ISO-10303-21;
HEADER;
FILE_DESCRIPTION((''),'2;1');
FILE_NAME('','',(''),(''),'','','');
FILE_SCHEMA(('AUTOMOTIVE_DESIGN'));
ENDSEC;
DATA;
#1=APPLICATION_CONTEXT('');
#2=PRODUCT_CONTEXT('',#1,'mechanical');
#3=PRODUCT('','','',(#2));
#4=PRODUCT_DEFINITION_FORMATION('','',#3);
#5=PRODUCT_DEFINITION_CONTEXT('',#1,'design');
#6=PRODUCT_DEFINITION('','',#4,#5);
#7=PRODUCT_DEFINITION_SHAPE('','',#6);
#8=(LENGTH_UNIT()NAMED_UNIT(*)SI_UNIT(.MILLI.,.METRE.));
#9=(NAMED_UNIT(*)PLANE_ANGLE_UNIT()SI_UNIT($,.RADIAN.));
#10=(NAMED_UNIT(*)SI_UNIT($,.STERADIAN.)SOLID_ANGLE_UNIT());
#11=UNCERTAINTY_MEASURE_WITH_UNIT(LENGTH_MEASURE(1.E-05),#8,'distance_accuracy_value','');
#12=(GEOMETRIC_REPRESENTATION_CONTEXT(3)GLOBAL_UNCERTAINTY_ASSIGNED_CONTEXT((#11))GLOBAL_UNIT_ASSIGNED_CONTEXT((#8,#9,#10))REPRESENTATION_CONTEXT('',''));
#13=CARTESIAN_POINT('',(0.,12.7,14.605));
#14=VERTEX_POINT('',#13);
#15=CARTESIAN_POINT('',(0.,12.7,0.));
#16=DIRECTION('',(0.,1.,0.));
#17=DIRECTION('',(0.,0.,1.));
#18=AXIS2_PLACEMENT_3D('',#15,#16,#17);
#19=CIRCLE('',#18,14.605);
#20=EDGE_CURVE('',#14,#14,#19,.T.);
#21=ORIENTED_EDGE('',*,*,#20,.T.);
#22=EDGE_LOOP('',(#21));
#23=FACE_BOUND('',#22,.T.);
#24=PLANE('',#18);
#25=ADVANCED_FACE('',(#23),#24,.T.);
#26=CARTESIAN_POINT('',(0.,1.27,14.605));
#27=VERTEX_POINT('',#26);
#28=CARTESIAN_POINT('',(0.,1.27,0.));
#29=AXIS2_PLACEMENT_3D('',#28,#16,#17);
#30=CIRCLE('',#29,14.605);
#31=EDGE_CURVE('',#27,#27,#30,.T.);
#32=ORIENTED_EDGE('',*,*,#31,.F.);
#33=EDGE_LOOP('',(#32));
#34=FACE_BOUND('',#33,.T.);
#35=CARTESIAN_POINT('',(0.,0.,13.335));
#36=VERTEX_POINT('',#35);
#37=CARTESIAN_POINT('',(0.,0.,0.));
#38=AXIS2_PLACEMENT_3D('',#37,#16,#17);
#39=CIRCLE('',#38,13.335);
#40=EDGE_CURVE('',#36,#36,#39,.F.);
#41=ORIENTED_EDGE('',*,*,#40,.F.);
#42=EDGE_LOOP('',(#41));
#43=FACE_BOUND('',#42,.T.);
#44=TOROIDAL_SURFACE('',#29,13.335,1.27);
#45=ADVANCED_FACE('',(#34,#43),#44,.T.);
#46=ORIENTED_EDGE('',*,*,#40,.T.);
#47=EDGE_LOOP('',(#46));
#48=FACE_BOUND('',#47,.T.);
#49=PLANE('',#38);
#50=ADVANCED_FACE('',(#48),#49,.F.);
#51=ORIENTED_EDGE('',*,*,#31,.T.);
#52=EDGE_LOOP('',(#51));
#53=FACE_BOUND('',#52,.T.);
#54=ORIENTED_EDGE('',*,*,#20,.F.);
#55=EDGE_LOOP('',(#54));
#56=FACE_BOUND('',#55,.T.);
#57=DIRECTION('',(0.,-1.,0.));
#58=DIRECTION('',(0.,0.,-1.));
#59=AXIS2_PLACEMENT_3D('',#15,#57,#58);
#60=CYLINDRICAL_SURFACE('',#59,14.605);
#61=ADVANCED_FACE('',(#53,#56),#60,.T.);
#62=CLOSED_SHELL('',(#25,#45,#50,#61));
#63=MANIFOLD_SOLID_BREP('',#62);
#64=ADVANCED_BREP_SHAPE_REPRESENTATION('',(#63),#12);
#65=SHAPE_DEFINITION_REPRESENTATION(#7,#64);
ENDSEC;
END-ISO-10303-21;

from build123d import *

# Parameters (mm, degrees)
SKETCH1_R           = 14.605
BOSS_EXTRUDE1_DEPTH = 12.7
FILLET1_R           = 1.27


with BuildPart() as part:
    # Sketch1 → Boss-Extrude1 (new body)
    with BuildSketch(Plane(origin=(0, 0, 0), x_dir=(1, 0, 0), z_dir=(0, 1, 0))):
        with Locations(Location((0, 0, 0), (0, 0, 270))):
            Circle(SKETCH1_R)
    extrude(amount=BOSS_EXTRUDE1_DEPTH)

    # Fillet1
    fillet1_edges = [part.edges().sort_by_distance(p)[0] for p in [
        (0, 0, -14.605),
    ]]
    fillet(fillet1_edges, radius=FILLET1_R)


solid = part.part
